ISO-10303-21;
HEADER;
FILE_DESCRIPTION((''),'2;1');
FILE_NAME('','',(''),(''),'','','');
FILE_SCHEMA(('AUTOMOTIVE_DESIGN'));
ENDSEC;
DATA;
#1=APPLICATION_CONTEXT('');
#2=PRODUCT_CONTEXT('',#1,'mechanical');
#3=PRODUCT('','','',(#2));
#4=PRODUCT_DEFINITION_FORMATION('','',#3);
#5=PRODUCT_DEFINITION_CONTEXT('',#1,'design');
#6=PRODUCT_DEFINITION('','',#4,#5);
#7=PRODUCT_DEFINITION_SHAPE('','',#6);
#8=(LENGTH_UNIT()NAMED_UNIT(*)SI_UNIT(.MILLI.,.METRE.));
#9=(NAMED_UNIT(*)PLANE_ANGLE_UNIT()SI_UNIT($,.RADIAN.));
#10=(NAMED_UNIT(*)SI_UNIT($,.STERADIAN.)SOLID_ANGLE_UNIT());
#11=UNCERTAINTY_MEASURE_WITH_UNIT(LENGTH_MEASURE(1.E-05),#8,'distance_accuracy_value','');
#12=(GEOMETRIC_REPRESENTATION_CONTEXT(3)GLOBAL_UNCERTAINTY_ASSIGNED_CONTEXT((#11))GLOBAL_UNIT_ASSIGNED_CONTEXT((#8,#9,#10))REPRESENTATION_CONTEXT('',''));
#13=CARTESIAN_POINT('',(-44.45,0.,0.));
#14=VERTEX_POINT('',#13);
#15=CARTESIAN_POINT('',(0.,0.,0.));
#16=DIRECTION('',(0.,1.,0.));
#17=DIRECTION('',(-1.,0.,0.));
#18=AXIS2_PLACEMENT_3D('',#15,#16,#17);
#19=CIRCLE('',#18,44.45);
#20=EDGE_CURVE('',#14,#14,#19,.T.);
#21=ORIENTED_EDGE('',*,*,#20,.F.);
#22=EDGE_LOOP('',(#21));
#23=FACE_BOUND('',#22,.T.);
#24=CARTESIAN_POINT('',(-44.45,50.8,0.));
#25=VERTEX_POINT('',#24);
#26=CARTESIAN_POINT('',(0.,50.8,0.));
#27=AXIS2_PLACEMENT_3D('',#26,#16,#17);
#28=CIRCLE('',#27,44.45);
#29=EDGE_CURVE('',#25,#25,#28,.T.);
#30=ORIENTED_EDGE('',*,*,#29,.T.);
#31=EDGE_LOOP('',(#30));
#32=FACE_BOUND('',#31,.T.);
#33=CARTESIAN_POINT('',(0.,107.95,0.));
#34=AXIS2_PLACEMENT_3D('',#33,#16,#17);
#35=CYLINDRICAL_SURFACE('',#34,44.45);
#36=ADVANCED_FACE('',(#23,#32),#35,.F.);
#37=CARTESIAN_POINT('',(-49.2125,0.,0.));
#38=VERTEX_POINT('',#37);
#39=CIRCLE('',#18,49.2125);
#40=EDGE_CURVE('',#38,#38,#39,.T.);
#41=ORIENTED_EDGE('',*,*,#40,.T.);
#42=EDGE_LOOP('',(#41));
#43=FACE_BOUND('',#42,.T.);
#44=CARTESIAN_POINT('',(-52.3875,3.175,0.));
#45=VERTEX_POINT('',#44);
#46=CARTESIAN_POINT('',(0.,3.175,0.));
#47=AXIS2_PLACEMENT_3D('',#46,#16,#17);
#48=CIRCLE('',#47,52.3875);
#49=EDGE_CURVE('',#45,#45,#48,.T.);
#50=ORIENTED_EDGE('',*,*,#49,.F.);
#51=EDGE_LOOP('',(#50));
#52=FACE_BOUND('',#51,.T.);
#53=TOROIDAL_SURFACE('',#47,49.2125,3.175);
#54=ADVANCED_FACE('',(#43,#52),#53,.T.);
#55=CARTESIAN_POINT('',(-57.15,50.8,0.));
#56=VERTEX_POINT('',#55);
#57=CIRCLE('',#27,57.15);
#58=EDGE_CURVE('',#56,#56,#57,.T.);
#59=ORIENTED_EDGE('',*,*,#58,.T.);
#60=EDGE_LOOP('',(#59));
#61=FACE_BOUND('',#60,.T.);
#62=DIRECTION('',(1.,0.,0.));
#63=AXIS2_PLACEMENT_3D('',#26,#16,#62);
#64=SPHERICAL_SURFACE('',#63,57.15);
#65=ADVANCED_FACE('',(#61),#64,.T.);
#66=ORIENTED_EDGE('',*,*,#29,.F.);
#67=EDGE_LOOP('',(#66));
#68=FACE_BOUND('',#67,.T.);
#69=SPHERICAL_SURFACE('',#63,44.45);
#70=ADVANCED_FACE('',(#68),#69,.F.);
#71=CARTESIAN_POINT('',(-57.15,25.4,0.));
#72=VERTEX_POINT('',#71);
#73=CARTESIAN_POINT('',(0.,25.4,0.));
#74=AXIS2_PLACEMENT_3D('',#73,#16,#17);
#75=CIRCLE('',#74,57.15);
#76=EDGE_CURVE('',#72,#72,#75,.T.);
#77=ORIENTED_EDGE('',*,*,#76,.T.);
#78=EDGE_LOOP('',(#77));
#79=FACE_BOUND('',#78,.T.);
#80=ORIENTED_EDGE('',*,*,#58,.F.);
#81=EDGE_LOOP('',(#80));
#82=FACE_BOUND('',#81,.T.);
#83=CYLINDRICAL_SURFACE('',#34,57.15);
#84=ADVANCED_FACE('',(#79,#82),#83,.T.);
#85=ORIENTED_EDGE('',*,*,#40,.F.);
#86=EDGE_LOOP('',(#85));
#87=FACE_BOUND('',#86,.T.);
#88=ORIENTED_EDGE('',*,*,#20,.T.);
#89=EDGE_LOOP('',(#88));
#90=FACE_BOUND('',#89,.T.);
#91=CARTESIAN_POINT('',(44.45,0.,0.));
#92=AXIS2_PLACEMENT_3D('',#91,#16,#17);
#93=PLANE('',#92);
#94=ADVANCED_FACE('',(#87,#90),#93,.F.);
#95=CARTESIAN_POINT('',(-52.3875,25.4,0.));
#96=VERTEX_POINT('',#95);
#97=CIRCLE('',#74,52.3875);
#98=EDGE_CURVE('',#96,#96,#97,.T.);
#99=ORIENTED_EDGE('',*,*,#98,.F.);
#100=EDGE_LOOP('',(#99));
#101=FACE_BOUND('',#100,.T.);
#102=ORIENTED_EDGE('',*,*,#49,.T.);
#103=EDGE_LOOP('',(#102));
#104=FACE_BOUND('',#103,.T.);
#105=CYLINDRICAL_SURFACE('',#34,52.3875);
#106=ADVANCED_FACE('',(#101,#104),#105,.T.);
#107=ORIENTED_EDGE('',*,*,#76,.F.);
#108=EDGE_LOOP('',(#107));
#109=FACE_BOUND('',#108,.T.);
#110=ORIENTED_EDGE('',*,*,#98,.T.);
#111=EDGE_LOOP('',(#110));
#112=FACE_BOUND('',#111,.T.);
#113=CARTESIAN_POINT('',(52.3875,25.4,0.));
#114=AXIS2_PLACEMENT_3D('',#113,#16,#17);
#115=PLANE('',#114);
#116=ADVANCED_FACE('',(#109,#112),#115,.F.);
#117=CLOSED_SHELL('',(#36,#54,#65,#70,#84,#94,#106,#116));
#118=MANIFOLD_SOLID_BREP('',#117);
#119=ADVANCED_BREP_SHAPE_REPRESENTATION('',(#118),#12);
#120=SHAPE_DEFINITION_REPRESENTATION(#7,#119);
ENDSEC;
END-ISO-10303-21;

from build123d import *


with BuildPart() as part:
    # Sketch2 → Revolve1 (revolve)
    with BuildSketch(Plane.XY):
        with BuildLine():
            Line((44.45, 0), (49.2125, 0))
            ThreePointArc((49.2125, 0), (51.45756403, 0.92993597), (52.3875, 3.175))
            Line((52.3875, 3.175), (52.3875, 25.4))
            Line((52.3875, 25.4), (57.15, 25.4))
            Line((57.15, 25.4), (57.15, 50.8))
            ThreePointArc((57.15, 50.8), (40.411152545, 91.211152545), (0, 107.95))
            Line((0, 107.95), (0, 95.25))
            ThreePointArc((0, 95.25), (31.430896424, 82.230896424), (44.45, 50.8))
            Line((44.45, 50.8), (44.45, 0))
        make_face()
    revolve(axis=Axis((0, 107.95, 0), (0, -1, 0)))


solid = part.part
